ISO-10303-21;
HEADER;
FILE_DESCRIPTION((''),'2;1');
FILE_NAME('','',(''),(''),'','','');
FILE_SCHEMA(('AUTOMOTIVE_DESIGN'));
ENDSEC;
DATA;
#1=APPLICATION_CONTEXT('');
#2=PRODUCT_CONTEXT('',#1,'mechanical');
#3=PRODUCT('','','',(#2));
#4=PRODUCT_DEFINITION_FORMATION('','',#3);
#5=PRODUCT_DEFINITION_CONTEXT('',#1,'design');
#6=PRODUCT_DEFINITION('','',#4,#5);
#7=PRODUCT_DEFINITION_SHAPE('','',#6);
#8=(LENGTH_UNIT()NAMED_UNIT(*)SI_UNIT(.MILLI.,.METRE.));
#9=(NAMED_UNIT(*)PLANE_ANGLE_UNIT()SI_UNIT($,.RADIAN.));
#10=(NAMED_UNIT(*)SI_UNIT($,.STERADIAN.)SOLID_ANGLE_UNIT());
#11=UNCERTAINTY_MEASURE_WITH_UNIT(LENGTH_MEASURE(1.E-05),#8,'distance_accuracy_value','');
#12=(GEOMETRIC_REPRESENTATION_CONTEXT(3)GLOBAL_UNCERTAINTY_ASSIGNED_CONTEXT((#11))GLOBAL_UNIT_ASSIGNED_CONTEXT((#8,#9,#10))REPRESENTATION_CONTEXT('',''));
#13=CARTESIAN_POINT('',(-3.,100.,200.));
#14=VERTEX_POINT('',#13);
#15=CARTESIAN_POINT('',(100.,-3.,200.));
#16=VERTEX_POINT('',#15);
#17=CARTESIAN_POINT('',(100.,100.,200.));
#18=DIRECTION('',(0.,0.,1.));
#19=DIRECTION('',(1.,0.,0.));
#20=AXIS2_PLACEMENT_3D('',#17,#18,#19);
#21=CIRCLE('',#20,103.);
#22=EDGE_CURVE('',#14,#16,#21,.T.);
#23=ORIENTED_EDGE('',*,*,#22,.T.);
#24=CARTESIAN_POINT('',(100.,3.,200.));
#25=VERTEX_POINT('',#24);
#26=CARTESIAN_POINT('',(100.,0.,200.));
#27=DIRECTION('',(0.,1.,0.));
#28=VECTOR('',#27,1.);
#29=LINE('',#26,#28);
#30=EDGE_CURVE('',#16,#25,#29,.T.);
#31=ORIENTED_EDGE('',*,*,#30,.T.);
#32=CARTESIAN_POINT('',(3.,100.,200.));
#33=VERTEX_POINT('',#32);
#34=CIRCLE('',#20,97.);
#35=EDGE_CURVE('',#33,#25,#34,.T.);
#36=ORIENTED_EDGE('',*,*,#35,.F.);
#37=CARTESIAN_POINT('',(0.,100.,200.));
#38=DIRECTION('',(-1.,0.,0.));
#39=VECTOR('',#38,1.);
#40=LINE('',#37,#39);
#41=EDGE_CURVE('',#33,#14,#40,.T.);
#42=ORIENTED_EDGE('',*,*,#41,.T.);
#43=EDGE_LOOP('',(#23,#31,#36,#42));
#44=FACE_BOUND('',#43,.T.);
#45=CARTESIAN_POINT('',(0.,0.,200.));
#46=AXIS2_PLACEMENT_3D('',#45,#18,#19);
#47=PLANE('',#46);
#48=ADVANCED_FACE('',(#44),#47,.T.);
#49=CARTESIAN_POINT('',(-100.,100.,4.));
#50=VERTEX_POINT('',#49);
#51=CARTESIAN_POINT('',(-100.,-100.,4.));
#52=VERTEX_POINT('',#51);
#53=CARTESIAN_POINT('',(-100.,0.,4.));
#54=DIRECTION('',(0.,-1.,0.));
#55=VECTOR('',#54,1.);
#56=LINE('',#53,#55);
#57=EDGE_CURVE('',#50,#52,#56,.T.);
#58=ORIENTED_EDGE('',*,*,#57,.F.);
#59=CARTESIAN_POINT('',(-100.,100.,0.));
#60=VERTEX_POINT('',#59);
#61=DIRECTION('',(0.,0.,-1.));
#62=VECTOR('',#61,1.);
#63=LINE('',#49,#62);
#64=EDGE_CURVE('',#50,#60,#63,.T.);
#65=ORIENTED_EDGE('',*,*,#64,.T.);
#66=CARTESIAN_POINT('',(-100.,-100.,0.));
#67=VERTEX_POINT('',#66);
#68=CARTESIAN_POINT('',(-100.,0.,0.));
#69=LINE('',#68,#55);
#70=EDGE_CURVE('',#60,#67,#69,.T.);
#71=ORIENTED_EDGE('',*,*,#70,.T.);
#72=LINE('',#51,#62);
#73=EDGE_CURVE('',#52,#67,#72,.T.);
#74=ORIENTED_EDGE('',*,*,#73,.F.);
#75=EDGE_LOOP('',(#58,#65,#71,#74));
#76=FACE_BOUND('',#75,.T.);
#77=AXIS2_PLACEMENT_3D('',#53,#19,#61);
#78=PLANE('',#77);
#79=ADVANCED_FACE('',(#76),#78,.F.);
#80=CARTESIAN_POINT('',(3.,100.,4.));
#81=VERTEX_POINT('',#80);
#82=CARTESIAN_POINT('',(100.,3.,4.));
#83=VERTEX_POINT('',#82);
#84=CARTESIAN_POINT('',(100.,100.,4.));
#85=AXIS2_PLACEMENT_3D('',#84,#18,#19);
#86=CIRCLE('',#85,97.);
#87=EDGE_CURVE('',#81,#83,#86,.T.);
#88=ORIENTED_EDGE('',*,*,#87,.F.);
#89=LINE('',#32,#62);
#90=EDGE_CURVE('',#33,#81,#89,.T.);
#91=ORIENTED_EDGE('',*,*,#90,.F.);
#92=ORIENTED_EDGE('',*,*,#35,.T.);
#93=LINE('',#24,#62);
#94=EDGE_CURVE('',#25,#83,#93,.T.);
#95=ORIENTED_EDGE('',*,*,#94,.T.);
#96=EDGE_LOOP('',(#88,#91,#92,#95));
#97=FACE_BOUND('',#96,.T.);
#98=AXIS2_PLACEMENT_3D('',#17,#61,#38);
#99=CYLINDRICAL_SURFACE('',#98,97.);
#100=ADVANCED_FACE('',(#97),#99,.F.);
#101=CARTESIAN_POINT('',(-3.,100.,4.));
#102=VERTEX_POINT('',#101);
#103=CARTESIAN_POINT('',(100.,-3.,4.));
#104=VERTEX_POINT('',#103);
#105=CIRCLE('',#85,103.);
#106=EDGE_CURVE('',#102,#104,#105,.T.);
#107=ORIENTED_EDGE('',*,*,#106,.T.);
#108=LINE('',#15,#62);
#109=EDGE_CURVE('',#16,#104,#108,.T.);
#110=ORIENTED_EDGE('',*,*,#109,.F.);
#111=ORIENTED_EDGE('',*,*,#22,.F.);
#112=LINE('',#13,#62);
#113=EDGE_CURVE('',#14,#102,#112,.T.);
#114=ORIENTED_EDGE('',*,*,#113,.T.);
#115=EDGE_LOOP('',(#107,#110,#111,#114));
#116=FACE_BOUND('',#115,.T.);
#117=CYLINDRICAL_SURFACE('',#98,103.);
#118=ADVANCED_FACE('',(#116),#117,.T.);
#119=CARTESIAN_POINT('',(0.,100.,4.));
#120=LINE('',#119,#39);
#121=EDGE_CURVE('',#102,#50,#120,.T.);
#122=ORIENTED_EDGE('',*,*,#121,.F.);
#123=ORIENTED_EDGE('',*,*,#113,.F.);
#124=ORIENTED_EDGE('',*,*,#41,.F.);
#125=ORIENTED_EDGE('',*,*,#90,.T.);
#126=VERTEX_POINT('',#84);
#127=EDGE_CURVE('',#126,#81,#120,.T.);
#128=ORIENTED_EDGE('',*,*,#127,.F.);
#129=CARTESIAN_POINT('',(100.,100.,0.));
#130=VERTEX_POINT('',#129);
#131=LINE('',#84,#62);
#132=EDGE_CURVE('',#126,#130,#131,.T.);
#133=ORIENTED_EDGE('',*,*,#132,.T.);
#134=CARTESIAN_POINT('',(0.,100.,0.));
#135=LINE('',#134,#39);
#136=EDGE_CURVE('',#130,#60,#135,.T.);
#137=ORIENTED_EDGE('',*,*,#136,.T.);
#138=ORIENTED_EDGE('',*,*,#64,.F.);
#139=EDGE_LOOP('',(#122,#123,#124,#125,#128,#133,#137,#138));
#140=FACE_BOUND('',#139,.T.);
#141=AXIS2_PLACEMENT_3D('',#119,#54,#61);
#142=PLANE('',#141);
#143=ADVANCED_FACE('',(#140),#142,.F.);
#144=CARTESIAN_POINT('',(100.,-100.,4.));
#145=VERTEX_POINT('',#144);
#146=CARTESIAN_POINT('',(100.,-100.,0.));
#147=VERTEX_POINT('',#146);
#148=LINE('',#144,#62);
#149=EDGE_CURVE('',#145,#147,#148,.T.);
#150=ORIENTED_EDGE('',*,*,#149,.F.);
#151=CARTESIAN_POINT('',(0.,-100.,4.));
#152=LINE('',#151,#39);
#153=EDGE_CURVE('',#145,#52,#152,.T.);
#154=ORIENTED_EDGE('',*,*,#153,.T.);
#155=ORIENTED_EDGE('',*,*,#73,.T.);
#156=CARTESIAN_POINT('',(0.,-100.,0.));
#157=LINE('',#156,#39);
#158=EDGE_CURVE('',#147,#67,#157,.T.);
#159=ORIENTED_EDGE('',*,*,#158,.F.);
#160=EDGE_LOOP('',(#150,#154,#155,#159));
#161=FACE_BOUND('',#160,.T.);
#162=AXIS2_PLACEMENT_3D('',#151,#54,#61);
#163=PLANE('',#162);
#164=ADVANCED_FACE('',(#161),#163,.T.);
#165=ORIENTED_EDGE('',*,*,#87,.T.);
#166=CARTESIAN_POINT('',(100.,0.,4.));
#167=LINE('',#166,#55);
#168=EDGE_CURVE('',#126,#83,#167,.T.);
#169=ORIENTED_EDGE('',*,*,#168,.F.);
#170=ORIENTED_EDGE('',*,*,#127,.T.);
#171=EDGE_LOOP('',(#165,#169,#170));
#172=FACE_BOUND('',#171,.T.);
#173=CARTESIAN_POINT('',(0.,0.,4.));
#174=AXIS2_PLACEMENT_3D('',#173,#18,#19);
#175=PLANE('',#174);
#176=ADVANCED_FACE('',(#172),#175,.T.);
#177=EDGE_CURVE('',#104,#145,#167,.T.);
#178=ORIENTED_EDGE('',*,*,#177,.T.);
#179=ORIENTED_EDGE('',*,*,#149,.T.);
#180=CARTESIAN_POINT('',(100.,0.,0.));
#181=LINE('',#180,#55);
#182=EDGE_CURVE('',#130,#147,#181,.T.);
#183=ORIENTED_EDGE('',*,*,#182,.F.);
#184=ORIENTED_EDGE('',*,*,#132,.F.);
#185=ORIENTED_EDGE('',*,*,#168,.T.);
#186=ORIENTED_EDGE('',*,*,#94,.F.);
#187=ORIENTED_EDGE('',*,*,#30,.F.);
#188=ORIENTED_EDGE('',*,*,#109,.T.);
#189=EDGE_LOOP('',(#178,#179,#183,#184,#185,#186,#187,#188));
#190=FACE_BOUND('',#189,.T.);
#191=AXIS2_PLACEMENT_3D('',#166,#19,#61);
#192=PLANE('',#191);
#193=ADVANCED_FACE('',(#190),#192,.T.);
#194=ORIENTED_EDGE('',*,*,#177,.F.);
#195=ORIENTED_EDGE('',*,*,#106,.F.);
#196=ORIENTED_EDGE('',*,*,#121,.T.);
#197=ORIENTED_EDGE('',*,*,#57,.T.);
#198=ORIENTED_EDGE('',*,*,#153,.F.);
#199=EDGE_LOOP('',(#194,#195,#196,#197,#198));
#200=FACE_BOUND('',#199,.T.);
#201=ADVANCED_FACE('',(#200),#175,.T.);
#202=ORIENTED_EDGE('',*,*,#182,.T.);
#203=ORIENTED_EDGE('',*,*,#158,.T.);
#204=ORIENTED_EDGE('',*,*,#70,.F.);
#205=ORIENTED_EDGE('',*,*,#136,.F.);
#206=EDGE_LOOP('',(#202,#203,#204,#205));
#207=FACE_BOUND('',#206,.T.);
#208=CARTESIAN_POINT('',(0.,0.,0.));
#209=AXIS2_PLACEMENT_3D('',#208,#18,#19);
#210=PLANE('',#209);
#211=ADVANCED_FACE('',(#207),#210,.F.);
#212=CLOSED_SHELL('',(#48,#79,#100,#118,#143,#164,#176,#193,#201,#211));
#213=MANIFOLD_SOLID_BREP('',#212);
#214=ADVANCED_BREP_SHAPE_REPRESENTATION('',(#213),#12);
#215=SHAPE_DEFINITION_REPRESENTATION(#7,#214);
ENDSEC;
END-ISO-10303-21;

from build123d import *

# Parameters (mm, degrees)
SZKIC1_W                    = 100
SZKIC1_H                    = 100
DODANIE_WYCI_GNI_CIE1_DEPTH = 4
DODANIE_WYCI_GNI_CIE5_DEPTH = 196


with BuildPart() as part:
    # Szkic1 → Dodanie-wyciągnięcie1 (new body)
    with BuildSketch(Plane.XY):
        with Locations((-50, 50)):
            Rectangle(SZKIC1_W, SZKIC1_H)
        with Locations((50, 50)):
            Rectangle(SZKIC1_W, SZKIC1_H)
        with Locations((50, -50)):
            Rectangle(SZKIC1_W, SZKIC1_H)
        with Locations((-50, -50)):
            Rectangle(SZKIC1_W, SZKIC1_H)
    extrude(amount=DODANIE_WYCI_GNI_CIE1_DEPTH)

    # Szkic2 → Dodanie-wyciągnięcie5 (add)
    with BuildSketch(Plane.XY.offset(4)):
        with BuildLine():
            Line((0, 100), (0, 75.322074641))
            ThreePointArc((0, 75.322074641), (27.168001538, 27.168001538), (75.322074641, 0))
            Line((75.322074641, 0), (100, 0))
            Line((100, 0), (100, 3))
            ThreePointArc((100, 3), (31.410642225, 31.410642225), (3, 100))
            Line((3, 100), (0, 100))
        make_face()
        with BuildLine():
            Line((100, 0), (75.322074641, 0))
            ThreePointArc((75.322074641, 0), (87.570197105, -2.247249352), (100, -3))
            Line((100, -3), (100, 0))
        make_face()
        with BuildLine():
            ThreePointArc((-3, 100), (-2.247249352, 87.570197105), (0, 75.322074641))
            Line((0, 75.322074641), (0, 100))
            Line((0, 100), (-3, 100))
        make_face()
    extrude(amount=DODANIE_WYCI_GNI_CIE5_DEPTH)


solid = part.part
